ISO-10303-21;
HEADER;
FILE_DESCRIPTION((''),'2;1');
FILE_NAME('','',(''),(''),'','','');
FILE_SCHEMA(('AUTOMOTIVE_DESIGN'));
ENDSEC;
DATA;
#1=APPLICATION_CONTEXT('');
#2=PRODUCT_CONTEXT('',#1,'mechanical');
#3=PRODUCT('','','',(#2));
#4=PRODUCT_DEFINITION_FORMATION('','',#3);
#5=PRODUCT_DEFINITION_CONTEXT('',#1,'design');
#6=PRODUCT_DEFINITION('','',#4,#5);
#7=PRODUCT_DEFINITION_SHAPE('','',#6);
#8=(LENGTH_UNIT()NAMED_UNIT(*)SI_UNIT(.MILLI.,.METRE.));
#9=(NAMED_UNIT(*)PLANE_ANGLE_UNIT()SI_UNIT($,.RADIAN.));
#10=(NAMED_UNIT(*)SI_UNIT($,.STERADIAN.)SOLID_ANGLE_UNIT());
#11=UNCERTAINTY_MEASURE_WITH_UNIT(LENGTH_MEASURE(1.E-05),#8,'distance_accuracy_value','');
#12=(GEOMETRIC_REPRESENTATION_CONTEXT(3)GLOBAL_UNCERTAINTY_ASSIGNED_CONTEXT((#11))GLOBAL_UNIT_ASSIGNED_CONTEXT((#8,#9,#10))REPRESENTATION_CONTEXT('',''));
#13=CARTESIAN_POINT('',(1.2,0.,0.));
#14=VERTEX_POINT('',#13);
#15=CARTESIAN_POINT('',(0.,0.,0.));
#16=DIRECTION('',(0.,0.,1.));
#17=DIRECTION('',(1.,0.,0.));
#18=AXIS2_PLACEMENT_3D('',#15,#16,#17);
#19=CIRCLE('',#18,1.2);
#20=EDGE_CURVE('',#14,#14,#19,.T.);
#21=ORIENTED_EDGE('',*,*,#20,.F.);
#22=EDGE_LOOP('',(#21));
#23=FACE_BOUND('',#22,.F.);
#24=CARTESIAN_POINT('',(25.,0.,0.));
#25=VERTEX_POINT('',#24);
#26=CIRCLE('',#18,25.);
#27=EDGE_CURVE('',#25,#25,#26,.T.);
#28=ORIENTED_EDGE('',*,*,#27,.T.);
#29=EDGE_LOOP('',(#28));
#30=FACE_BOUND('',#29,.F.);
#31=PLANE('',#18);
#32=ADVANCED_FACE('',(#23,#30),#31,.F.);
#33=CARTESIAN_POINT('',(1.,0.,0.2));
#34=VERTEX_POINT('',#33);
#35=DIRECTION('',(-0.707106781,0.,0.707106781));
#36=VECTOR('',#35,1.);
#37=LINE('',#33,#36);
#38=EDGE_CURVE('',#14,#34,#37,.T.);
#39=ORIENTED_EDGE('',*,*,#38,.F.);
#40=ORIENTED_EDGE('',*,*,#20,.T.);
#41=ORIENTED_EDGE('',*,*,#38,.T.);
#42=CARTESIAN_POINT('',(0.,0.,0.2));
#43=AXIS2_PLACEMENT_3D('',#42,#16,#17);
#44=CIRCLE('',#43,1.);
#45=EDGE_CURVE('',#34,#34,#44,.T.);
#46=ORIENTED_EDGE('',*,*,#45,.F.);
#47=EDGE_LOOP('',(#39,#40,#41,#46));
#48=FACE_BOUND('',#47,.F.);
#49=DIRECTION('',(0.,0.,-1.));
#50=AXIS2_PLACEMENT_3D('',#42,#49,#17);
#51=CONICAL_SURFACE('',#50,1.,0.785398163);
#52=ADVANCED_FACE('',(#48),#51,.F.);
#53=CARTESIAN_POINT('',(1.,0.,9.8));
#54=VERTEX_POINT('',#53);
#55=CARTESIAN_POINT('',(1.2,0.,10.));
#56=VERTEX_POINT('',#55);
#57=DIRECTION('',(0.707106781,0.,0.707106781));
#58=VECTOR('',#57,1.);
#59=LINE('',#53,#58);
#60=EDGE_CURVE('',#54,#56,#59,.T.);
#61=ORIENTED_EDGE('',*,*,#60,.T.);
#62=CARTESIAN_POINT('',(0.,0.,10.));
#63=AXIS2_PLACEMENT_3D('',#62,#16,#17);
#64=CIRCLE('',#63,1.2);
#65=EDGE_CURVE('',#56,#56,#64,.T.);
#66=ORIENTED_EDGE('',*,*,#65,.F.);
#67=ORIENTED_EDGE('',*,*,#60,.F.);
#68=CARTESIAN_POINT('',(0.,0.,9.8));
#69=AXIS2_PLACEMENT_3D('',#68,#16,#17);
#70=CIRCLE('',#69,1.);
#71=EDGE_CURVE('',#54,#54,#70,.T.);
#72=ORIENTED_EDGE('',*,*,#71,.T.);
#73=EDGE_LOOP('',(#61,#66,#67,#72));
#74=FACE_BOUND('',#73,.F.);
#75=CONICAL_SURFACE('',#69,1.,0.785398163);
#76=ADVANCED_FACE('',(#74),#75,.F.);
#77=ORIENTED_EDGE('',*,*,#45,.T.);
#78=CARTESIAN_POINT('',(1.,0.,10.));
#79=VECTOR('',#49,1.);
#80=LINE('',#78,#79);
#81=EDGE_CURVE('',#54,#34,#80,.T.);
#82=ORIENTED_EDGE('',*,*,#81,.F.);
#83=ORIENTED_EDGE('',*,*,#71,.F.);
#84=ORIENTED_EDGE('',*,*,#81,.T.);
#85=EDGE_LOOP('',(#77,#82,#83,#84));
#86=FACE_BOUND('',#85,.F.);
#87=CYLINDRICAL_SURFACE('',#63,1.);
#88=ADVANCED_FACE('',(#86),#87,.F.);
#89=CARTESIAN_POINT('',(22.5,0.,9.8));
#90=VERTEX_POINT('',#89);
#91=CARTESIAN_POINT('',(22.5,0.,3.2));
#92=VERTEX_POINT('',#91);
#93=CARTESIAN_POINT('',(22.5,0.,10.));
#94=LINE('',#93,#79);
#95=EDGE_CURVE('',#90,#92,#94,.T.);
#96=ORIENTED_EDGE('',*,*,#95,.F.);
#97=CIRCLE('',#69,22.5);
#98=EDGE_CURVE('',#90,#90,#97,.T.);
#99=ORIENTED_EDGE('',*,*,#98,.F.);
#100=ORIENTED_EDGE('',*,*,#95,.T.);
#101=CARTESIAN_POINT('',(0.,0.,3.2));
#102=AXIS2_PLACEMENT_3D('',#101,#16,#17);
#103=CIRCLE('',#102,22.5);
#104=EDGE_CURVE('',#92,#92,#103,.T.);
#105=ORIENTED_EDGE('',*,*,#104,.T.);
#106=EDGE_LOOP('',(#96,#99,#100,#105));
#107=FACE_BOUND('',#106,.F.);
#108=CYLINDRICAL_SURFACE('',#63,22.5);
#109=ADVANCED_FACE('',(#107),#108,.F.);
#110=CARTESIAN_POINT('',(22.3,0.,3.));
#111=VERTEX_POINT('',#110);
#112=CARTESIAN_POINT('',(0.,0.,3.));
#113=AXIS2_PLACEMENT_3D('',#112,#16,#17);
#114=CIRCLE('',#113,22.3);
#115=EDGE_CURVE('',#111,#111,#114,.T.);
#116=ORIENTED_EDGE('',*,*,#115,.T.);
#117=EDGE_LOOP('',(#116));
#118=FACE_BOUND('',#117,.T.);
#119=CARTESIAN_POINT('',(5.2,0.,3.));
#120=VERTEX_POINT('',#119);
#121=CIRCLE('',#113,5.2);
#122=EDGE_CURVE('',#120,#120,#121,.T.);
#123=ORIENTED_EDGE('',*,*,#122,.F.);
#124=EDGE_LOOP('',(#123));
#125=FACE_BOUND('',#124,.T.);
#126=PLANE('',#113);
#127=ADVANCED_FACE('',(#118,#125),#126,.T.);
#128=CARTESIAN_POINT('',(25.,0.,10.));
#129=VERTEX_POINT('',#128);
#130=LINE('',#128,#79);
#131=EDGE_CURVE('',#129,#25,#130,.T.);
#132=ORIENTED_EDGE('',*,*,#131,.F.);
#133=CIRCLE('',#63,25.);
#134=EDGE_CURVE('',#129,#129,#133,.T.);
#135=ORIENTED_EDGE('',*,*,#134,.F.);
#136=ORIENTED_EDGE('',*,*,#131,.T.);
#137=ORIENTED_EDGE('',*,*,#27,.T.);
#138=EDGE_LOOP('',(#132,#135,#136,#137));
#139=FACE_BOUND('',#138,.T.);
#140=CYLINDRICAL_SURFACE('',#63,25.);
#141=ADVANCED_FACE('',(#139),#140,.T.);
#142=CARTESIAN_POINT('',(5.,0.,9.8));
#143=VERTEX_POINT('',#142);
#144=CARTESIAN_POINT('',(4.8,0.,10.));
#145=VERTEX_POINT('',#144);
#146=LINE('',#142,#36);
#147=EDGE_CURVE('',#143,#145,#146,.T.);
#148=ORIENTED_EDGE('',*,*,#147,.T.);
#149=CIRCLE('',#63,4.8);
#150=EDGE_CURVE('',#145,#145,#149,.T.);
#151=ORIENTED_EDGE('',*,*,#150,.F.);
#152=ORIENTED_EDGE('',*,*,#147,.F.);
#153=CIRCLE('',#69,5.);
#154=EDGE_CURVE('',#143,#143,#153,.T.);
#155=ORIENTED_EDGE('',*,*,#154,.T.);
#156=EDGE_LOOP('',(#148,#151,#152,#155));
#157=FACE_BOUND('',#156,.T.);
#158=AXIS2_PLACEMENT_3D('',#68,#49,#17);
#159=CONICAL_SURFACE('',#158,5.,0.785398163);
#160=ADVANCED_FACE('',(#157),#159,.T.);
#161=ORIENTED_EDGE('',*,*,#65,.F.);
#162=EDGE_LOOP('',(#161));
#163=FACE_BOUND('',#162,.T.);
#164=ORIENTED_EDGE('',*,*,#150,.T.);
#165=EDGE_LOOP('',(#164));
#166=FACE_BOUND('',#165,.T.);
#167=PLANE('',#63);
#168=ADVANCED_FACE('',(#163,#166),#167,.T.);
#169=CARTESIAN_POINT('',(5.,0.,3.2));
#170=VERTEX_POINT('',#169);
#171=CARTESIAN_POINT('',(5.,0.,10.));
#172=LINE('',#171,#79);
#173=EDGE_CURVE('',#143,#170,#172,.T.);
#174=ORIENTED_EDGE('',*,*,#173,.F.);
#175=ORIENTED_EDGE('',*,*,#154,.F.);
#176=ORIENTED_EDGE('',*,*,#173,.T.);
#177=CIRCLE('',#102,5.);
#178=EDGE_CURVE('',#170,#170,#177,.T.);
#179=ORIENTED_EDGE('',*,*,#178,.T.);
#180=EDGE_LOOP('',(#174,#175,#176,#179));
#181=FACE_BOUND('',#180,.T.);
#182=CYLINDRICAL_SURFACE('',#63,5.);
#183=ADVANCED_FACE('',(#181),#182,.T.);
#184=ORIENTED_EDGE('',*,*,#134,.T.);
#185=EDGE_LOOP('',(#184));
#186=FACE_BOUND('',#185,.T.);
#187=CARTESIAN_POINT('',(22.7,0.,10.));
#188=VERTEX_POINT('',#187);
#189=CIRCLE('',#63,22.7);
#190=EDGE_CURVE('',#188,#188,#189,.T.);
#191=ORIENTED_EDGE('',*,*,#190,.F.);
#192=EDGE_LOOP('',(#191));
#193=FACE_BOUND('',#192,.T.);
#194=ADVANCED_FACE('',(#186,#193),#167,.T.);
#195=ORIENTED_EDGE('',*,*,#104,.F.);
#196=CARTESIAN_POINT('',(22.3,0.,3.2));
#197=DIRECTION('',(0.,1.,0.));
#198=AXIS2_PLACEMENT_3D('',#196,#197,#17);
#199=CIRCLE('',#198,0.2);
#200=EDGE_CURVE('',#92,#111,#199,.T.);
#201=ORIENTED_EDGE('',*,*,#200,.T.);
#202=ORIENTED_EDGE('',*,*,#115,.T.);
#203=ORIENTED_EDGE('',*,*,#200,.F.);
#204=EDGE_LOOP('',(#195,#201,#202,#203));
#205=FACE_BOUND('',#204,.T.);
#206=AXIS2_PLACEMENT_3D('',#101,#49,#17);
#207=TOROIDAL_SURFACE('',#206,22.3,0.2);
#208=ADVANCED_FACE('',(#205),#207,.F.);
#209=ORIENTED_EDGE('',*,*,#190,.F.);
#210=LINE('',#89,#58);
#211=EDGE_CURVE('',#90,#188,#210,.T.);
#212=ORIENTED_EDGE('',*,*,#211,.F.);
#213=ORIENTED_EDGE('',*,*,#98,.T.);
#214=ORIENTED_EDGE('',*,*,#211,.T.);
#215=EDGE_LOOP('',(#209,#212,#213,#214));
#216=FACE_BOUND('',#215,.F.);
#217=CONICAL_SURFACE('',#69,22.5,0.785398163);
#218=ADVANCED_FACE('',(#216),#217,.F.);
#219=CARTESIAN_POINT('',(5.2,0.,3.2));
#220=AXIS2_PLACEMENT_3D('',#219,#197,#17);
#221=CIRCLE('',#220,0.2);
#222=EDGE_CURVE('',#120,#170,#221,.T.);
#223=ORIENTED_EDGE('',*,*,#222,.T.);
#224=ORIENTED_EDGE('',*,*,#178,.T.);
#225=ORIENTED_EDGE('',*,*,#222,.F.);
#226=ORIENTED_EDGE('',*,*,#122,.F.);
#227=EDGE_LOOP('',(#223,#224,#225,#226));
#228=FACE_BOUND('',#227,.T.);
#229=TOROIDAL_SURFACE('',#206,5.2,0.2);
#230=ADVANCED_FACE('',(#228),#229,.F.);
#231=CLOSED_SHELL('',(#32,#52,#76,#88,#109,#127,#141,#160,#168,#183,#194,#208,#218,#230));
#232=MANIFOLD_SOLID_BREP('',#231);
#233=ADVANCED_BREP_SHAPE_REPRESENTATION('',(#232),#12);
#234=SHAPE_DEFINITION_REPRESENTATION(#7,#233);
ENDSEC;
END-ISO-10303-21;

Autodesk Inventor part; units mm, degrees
ref_plane "YZ Plane" through (0, 0, 0) normal (1, 0, 0) x (0, 1, 0)
ref_plane "XZ Plane" through (0, 0, 0) normal (0, 1, 0) x (-1, 0, 0)
ref_plane "XY Plane" through (0, 0, 0) normal (0, 0, 1) x (1, 0, 0)
sketch "Skizze1" plane through (0, 0, 0) normal (0, 0, 1) x (1, 0, 0)
  circle A0 centre (0, 0) radius 30
  dimension "d0" = 60
extrude "Extrusion1" add sketch "Skizze1" along normal blind 10
sketch "Skizze2" plane through (0, 0, 10) normal (0, 0, 1) x (1, 0, 0)
  circle A0 centre (0, 0) radius 30 projected
  circle A1 centre (0, 0) radius 22.5
  circle A2 centre (0, 0) radius 5
  dimension "d3" = 7.5
  dimension "d4" = 10
extrude "Extrusion2" cut sketch "Skizze2" against normal blind 7 contours A1
sketch "Skizze3" plane through (0, 0, 10) normal (0, 0, 1) x (1, 0, 0)
  circle A0 centre (0, 0) radius 1
  dimension "d7" = 2
extrude "Extrusion3" cut sketch "Skizze3" along normal through all both and the other way through all
fillet "Rundung1" radius 0.2 2 edges at (-22.5, 0, 3) (-5, 0, 3)
chamfer "Fase1" distance 0.2 angle 45 6 edges at (-30, 0, 0) (-30, 0, 10) (-22.5, 0, 10) (-5, 0, 10) (-1, 0, 10) (-1, 0, 0)
sketch "Skizze4" plane through (0, 0, 10) normal (0, 0, 1) x (1, 0, 0)
  circle A0 centre (0, 0) radius 25
  circle A1 centre (0, 0) radius 40
  dimension "d14" = 50
  dimension "d15" = 15
extrude "Extrusion4" cut sketch "Skizze4" along normal through all both and the other way through all
sketch "Skizze5" plane through (0, 0, 10) normal (0, 0, 1) x (1, 0, 0)
  circle A0 centre (0, 0) radius 1.2 projected
  circle A1 centre (0, 0) radius 27.5
  circle A2 centre (0, 0) radius 30
  dimension "d18" = 55
  dimension "d19" = 60
properties part number "felge" material "Aluminium 6061"
